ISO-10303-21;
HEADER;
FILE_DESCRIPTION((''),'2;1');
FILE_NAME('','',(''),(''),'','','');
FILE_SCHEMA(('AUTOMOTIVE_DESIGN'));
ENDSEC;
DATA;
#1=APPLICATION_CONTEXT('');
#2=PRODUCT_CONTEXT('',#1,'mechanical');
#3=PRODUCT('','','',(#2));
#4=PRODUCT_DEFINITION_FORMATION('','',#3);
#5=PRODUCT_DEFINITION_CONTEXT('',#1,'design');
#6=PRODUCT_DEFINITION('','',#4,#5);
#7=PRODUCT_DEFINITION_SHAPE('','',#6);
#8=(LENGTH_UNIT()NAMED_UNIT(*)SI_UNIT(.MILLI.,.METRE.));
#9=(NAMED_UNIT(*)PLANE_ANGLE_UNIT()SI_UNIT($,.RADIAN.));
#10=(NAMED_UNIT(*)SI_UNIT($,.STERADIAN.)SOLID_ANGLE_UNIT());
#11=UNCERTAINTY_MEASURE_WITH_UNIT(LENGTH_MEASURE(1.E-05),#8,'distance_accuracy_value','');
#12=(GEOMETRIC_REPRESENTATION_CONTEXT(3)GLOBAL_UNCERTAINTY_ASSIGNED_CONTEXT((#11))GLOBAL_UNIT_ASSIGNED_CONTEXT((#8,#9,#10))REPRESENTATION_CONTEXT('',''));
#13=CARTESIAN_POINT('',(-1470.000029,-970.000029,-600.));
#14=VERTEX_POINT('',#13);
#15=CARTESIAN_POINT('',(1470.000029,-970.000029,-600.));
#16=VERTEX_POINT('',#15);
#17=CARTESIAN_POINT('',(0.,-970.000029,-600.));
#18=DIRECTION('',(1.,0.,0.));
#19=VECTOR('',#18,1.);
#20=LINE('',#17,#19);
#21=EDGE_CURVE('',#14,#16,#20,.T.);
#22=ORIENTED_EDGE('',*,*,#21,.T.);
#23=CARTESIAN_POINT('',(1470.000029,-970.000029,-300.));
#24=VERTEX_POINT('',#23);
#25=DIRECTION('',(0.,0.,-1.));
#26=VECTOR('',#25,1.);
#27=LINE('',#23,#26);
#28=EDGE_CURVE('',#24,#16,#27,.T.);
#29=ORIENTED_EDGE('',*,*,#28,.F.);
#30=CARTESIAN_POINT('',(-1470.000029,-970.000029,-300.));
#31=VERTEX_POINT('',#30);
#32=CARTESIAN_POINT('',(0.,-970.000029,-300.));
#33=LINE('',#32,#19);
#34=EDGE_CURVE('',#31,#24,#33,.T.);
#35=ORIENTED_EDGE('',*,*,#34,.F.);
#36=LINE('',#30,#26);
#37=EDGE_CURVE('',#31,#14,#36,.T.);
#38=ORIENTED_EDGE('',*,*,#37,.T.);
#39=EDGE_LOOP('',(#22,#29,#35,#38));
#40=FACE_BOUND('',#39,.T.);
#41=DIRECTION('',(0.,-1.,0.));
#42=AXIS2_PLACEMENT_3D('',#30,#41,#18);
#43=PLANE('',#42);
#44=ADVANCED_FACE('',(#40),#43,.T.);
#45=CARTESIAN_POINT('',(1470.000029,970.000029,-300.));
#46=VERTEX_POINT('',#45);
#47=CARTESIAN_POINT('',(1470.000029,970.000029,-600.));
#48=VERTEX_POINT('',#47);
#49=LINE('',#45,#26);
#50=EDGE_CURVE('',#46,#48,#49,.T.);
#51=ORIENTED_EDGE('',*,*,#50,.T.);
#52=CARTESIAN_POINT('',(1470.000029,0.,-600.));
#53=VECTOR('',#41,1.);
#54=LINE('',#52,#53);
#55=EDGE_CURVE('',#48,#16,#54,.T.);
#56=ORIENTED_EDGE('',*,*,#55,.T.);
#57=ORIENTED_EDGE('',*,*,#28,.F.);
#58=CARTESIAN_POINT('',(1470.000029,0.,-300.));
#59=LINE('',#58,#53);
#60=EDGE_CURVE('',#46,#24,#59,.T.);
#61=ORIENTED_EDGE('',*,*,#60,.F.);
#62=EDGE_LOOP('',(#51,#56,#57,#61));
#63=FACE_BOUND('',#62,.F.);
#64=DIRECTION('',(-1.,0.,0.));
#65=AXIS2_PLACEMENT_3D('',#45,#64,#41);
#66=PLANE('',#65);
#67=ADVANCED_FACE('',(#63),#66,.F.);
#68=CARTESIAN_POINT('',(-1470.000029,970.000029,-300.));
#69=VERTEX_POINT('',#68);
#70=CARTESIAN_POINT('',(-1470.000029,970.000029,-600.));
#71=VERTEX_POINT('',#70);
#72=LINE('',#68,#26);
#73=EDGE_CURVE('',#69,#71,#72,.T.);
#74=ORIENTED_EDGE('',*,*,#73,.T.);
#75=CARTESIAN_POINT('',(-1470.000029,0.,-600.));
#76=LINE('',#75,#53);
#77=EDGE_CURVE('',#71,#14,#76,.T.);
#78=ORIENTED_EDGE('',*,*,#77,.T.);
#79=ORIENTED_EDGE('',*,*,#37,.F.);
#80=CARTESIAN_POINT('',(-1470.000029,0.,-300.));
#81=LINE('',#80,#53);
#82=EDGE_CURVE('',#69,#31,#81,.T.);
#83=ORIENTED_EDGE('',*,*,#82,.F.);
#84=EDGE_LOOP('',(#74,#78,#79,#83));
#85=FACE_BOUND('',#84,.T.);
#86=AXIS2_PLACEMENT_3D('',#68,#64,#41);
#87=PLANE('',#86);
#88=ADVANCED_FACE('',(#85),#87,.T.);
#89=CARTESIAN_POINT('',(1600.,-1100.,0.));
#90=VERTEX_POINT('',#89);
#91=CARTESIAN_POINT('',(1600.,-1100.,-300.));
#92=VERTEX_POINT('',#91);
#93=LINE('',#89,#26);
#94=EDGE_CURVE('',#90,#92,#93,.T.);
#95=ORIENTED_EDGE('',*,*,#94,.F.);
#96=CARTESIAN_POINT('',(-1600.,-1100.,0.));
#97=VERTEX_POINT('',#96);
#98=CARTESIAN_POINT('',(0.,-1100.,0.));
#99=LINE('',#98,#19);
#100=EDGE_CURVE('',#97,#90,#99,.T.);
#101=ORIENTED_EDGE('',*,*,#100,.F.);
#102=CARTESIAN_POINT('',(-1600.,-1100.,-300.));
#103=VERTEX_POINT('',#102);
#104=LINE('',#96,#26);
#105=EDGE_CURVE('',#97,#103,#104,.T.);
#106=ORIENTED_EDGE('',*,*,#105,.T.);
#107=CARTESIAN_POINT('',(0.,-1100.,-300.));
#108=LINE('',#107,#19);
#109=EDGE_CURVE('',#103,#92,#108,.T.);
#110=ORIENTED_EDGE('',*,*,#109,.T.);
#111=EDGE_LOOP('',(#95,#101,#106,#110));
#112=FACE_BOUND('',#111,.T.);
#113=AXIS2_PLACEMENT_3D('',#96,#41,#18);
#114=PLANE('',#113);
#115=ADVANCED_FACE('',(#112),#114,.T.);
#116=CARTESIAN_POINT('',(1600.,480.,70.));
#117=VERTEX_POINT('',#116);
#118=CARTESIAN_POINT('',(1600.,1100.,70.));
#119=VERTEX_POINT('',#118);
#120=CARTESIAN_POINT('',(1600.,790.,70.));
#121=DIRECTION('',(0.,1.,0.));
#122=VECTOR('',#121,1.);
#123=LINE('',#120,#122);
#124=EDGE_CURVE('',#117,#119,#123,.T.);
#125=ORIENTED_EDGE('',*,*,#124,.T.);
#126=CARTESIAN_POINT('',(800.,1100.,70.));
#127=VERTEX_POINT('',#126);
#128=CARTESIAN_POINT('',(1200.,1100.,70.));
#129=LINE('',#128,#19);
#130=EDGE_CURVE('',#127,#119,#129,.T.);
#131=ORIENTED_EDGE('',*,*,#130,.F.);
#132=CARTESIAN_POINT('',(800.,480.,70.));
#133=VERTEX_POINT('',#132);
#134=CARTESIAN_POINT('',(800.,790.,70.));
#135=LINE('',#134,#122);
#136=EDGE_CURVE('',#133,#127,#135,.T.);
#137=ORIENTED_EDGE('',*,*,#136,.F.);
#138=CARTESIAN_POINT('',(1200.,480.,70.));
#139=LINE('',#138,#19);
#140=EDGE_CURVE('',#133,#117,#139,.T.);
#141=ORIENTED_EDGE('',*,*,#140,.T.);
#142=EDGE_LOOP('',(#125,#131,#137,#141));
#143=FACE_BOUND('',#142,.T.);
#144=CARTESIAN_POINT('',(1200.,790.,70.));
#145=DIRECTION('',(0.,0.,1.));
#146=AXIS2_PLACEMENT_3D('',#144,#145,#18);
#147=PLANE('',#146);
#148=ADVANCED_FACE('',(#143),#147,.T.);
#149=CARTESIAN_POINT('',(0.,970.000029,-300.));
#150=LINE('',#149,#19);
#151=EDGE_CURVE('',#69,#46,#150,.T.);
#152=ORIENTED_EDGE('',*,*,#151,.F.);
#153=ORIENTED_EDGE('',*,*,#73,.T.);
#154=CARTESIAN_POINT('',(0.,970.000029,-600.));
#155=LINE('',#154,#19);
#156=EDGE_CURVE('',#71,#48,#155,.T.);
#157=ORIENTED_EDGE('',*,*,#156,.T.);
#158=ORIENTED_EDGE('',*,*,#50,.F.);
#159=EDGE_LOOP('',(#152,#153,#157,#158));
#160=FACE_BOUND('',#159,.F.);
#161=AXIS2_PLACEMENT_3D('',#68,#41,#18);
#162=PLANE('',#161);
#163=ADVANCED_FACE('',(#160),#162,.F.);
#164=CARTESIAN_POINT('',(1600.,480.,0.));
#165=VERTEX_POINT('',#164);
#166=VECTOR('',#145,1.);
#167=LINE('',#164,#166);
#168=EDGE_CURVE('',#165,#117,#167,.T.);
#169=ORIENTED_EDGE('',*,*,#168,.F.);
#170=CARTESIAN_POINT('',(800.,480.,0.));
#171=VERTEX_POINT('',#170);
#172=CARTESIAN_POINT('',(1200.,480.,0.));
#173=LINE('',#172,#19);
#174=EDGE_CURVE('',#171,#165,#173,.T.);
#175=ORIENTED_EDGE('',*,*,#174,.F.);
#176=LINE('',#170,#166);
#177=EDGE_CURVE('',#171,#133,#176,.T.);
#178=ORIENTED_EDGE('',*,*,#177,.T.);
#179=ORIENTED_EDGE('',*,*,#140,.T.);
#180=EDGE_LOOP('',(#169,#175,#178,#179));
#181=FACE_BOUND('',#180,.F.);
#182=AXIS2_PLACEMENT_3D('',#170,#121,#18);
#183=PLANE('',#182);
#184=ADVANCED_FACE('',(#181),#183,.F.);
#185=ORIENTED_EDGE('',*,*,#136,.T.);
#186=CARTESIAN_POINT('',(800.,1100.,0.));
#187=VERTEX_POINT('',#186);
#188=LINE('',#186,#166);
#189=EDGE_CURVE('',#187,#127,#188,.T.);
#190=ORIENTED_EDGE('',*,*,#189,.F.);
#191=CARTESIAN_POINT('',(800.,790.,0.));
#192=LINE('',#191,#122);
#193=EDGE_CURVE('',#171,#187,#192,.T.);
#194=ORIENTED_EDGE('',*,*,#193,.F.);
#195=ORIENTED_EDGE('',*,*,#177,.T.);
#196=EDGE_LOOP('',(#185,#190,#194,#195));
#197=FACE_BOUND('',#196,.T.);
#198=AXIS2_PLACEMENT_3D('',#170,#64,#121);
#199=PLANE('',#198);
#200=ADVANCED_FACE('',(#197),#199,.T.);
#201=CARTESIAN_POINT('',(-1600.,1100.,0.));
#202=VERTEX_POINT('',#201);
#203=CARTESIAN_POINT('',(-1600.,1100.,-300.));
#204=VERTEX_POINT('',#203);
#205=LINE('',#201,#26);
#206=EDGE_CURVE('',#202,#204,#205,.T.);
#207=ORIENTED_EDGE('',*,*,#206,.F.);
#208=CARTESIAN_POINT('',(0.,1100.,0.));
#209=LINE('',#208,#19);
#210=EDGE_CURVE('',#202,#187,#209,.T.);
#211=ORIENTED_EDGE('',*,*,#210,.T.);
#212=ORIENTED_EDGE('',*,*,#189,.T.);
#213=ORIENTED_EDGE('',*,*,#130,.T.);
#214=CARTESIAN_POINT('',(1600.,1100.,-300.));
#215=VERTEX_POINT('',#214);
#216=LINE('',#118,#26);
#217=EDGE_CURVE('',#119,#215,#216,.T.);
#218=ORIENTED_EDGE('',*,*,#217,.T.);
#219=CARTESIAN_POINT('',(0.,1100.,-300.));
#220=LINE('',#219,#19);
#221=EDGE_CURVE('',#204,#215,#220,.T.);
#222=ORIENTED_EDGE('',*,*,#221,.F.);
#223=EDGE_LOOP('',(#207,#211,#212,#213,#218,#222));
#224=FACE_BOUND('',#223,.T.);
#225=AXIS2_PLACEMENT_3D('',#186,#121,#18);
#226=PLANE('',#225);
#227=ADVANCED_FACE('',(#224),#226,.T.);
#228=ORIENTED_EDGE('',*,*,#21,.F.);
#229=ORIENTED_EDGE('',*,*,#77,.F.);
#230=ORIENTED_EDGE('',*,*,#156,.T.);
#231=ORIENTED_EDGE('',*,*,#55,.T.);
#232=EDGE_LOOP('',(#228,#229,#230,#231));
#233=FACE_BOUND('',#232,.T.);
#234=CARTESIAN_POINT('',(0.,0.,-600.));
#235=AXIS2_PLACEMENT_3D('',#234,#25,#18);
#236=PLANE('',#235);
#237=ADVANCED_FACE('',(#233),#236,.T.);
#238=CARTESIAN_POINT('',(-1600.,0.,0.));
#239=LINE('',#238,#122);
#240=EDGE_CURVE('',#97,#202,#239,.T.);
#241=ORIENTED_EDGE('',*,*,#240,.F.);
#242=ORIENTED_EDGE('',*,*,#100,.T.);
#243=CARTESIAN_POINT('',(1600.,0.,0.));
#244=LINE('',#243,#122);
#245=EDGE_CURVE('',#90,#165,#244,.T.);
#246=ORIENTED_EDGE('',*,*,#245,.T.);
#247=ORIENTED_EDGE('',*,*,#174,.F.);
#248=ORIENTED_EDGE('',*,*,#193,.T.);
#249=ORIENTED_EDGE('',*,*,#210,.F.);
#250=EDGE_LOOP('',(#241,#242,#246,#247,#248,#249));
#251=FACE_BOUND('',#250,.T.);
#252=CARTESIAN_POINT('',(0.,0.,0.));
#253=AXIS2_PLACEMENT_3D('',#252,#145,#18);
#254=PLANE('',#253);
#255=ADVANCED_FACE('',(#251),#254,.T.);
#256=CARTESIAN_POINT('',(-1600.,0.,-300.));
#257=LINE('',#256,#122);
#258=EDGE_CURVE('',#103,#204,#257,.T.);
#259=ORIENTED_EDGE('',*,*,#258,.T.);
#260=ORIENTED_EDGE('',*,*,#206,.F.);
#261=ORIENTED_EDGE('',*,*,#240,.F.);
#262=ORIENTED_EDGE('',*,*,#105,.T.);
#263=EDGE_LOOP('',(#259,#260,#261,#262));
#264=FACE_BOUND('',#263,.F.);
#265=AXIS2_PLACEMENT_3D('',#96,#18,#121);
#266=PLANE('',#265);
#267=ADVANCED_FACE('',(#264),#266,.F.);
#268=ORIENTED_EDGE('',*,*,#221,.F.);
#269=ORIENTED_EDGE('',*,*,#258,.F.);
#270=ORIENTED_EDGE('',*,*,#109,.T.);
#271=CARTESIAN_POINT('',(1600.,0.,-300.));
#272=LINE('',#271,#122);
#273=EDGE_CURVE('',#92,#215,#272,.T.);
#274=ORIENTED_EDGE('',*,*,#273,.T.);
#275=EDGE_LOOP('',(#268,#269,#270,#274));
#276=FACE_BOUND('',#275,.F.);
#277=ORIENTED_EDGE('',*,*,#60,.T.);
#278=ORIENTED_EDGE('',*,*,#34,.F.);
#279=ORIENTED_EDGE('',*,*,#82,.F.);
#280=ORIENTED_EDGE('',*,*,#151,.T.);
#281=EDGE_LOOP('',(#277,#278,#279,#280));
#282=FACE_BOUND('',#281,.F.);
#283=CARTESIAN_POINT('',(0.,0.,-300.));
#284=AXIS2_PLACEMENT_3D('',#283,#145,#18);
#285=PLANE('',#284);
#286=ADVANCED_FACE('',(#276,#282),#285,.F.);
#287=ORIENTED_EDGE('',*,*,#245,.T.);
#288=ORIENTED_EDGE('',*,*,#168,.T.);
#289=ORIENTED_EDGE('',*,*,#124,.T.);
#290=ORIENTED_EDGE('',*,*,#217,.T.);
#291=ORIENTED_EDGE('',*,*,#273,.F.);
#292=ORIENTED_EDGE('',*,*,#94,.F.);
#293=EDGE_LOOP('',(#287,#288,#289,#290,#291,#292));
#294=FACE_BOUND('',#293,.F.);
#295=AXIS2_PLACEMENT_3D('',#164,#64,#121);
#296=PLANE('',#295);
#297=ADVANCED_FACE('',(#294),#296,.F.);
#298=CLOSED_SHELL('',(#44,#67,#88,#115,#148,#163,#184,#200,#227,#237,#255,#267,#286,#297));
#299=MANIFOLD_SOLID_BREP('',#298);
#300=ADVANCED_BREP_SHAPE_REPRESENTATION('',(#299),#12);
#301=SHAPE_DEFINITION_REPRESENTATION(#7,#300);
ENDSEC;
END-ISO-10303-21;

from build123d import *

# Parameters (mm, degrees)
F0_W     = 3200
F0_H     = 2200
F1_DEPTH = 300
F2_W     = 2940.000058
F2_H     = 1940.000058
F3_DEPTH = 300
F4_W     = 800
F4_H     = 620
F5_DEPTH = 70


with BuildPart() as f1:
    # F0 (on Top) → F1 (new body)
    with BuildSketch(Plane.XY):
        Rectangle(F0_W, F0_H)
    extrude(amount=-F1_DEPTH)

    # F2 (on face) → F3 (join)
    with BuildSketch(Plane(origin=(0, 0, -300), x_dir=(1, 0, 0), z_dir=(0, 0, -1))):
        Rectangle(F2_W, F2_H)
    extrude(amount=F3_DEPTH)

    # F4 (on face) → F5 (join)
    with BuildSketch(Plane.XY):
        with Locations((1200, 790)):
            Rectangle(F4_W, F4_H)
    extrude(amount=F5_DEPTH)


solid = f1.part
